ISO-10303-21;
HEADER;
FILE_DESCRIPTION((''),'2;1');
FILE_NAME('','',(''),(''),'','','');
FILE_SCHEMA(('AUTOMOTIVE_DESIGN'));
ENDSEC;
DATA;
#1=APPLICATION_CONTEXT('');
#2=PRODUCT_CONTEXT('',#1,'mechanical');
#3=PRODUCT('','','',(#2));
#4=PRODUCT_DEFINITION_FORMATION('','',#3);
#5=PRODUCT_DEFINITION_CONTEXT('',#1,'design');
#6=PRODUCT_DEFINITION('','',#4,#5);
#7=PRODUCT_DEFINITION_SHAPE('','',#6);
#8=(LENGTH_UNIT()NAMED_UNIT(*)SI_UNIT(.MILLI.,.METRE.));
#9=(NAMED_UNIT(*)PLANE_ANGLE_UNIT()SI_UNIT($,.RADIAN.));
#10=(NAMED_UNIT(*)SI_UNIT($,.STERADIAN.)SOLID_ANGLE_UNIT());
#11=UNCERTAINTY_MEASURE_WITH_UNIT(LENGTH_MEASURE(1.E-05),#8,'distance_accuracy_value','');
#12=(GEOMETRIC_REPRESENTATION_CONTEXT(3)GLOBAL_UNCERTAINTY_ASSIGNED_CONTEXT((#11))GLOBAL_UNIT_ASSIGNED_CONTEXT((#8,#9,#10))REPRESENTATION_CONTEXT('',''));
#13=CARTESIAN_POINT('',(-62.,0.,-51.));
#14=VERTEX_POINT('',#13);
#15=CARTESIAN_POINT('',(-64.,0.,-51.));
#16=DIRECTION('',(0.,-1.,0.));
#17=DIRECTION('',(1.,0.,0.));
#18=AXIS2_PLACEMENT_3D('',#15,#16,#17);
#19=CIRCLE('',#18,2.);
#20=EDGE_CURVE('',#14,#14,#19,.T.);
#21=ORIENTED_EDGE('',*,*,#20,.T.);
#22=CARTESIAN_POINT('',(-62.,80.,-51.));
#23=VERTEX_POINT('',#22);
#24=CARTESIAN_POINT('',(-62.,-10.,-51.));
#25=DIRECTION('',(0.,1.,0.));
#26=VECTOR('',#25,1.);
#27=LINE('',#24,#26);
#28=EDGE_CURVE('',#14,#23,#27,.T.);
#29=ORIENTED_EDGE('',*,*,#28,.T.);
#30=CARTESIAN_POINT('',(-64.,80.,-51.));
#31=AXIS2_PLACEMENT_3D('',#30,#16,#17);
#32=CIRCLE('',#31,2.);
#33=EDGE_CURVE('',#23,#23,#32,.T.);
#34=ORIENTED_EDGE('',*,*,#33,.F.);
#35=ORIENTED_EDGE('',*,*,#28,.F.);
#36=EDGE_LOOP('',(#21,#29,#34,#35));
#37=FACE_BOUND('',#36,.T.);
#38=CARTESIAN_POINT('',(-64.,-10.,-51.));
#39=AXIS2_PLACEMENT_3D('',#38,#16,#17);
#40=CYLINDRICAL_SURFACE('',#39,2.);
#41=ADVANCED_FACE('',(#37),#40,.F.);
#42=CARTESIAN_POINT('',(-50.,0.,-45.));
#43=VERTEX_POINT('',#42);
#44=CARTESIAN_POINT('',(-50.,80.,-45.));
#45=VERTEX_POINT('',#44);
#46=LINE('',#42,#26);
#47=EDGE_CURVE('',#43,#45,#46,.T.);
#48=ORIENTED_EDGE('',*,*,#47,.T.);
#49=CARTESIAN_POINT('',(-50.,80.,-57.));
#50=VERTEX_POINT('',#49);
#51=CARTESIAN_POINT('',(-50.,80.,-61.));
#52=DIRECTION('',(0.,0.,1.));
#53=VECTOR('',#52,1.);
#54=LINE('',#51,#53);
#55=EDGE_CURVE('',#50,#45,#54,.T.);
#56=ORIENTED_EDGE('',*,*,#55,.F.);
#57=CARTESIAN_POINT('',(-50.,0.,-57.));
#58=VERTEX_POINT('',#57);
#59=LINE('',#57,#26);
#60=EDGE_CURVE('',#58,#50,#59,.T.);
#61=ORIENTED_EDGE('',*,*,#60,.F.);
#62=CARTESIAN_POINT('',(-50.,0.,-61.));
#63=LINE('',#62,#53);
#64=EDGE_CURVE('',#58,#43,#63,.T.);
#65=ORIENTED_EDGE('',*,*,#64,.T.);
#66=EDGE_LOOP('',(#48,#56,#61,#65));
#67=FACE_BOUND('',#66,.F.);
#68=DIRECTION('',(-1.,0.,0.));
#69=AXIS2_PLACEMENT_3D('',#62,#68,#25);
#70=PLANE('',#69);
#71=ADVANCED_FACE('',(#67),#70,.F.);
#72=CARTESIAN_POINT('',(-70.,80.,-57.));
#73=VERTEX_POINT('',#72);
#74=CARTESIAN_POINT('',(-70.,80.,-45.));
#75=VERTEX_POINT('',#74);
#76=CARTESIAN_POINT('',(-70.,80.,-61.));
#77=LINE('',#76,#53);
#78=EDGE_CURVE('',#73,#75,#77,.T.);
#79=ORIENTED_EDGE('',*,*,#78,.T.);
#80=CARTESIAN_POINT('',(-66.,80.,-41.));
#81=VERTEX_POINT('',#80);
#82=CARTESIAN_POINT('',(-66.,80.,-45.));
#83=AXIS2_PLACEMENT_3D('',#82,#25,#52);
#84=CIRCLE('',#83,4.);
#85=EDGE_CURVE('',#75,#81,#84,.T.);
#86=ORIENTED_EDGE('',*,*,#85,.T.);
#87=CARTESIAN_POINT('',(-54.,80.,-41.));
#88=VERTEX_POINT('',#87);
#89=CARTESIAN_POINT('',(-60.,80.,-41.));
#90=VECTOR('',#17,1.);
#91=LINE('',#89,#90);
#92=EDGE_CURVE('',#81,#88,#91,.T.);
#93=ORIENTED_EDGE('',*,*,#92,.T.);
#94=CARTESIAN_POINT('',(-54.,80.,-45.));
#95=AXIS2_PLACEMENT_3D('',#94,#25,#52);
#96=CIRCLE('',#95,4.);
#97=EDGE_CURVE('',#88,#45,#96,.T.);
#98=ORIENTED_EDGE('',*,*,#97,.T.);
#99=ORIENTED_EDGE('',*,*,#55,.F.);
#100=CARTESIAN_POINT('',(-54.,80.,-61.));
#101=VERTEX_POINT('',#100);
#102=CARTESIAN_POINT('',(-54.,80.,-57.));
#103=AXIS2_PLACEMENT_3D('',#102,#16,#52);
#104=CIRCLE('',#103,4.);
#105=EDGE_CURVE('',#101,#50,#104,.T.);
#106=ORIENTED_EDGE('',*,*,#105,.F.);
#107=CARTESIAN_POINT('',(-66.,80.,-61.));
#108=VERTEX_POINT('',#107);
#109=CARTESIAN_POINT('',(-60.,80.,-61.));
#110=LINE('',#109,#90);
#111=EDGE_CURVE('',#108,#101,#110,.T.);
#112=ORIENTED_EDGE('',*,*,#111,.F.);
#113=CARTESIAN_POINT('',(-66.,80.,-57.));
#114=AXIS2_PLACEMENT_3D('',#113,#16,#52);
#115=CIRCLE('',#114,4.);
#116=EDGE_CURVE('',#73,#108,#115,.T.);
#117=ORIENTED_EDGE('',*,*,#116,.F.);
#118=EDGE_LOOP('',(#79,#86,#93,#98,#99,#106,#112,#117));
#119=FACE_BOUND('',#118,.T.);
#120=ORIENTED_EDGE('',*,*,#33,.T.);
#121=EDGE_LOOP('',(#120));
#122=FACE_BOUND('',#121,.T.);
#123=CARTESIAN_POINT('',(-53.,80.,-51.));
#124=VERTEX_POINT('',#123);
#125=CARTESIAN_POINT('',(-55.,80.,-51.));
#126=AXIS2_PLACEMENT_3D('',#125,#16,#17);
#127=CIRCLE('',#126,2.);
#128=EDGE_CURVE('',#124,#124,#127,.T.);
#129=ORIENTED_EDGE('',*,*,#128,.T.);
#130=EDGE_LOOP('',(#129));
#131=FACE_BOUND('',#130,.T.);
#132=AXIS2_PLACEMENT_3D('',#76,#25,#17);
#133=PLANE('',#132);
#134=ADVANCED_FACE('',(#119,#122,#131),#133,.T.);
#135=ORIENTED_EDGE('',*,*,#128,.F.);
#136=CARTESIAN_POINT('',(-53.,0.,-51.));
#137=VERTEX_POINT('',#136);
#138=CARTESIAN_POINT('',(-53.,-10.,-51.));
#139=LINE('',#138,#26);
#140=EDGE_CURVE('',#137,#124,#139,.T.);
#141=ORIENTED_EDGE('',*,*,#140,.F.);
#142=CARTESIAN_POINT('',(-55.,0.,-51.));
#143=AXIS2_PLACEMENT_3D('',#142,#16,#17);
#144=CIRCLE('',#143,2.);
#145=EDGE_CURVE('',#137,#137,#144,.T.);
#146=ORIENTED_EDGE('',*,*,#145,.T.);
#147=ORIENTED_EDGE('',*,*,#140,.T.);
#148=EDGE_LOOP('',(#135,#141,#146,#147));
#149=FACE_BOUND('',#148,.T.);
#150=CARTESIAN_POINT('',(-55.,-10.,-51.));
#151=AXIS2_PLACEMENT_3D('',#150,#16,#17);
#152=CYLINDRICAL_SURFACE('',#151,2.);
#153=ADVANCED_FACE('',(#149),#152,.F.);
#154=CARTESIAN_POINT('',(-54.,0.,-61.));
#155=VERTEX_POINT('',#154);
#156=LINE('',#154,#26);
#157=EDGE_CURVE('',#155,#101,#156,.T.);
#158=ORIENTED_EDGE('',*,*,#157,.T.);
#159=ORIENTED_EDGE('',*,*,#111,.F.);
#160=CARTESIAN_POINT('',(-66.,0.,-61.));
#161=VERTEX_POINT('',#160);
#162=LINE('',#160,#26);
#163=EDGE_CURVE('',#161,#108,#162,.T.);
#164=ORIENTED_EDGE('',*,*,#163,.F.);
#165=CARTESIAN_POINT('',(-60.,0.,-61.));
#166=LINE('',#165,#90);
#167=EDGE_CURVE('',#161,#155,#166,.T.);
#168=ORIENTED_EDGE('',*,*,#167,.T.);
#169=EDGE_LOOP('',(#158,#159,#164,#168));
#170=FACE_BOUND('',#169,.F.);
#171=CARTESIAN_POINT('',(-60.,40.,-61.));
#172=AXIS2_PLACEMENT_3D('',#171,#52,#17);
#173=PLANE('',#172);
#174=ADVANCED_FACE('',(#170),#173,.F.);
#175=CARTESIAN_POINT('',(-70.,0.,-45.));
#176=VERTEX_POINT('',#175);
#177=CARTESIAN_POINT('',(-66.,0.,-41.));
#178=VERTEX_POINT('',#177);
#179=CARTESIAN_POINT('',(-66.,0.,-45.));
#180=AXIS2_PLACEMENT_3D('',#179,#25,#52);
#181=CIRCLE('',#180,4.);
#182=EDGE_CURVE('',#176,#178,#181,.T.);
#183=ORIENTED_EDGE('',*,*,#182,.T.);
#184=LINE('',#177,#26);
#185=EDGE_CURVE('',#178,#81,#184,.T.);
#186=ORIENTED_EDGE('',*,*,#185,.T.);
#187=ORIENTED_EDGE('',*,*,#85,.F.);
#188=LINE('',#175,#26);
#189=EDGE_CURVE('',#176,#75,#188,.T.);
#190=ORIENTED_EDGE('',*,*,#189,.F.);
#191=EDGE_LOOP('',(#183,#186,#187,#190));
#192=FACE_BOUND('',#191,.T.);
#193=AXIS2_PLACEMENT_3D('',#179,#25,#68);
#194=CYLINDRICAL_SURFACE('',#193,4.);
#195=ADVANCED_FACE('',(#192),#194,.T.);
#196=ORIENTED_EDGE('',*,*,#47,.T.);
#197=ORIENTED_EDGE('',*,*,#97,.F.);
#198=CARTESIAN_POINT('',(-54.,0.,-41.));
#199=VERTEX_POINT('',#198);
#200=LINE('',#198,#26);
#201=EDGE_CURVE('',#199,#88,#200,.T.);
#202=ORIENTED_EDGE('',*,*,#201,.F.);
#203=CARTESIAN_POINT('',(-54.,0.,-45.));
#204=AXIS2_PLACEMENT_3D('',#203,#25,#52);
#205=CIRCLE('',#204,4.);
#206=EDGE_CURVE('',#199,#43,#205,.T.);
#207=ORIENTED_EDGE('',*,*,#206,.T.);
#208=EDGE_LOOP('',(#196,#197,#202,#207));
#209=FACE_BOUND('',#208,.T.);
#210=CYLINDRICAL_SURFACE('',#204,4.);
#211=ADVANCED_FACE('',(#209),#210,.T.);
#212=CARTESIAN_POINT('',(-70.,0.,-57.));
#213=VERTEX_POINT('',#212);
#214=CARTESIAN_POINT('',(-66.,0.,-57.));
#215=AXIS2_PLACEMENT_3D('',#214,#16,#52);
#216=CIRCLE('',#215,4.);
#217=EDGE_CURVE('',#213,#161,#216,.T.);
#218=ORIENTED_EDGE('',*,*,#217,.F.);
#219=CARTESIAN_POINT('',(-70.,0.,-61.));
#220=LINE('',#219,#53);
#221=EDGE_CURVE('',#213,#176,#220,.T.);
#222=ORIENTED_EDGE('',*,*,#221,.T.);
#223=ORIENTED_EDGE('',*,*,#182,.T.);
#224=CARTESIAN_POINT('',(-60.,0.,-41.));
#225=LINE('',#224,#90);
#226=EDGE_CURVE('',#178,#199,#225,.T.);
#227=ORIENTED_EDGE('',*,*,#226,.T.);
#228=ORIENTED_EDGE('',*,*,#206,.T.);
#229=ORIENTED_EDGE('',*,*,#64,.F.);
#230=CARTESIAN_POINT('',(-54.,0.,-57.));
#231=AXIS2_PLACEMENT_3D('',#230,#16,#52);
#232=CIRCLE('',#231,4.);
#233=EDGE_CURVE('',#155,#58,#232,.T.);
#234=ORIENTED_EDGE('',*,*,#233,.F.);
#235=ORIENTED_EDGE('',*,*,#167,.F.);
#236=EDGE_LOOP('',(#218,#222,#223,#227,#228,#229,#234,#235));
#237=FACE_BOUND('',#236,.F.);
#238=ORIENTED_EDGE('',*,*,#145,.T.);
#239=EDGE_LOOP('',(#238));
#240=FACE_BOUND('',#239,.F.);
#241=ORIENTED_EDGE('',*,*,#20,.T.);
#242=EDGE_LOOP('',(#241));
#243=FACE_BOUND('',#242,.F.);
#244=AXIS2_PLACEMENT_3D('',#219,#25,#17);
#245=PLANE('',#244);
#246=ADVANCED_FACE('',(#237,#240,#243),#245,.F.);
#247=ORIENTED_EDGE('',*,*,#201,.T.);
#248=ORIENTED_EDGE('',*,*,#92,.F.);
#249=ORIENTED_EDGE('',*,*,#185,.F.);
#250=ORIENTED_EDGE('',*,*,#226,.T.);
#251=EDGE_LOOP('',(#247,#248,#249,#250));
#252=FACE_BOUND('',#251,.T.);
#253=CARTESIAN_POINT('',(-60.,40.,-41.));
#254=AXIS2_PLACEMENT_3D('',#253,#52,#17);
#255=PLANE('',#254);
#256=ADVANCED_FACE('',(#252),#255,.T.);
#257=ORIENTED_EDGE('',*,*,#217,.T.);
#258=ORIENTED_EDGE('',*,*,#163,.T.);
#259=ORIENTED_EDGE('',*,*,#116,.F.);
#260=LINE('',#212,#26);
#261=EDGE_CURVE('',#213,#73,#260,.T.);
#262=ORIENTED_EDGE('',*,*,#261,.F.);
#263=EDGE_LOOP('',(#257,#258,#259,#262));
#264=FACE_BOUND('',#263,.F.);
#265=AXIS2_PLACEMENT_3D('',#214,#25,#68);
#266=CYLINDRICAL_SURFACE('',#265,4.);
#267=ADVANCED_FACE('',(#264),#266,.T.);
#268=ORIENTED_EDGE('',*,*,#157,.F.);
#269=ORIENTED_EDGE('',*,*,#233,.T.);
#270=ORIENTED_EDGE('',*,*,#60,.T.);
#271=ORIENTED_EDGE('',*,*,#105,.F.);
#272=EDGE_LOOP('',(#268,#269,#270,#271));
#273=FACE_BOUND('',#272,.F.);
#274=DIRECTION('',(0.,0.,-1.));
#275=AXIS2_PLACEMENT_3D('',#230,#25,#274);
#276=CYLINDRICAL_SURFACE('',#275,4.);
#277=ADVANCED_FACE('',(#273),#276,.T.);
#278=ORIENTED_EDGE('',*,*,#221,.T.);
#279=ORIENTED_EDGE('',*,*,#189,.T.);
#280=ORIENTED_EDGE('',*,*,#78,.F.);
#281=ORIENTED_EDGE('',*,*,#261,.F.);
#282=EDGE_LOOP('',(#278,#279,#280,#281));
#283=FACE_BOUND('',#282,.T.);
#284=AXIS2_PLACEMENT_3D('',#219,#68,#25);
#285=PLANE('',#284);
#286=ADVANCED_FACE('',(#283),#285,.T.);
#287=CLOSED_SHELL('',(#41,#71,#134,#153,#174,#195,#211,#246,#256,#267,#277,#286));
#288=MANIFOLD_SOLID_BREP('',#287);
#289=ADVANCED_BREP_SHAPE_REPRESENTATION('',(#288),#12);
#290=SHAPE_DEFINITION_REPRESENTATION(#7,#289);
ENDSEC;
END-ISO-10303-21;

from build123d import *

# Parameters (mm, degrees)
CYLINDER050_R       = 2
CYLINDER050_DEPTH   = 100
ARRAY001028_X_COUNT = 2
ARRAY001028_X_PITCH = 9
BOX028_W            = 20
BOX028_H            = 80
BOX028_DEPTH        = 20
FILLET_R            = 4


with BuildPart() as stand_attachment_hole_fusion001:
    # Cylinder050 → Cylinder050 (new body)
    with BuildSketch(Plane(origin=(0, -10, 10), x_dir=(1, 0, 0), z_dir=(0, 1, 0))):
        Circle(CYLINDER050_R)
    extrude(amount=CYLINDER050_DEPTH)

    # Array001028 X: stand attachment hole fusion001 ×2


with BuildPart() as stand_attachment_hole_fusion001_1:
    add(stand_attachment_hole_fusion001.part)
    with Locations(*[(i * ARRAY001028_X_PITCH, 0, 0) for i in range(1, ARRAY001028_X_COUNT)]):
        add(stand_attachment_hole_fusion001.part)


with BuildPart() as stand_attachment_middle_fillet:
    # Box028 → Box028 (new body)
    with BuildSketch(Plane(origin=(-6, 0, 0), x_dir=(1, 0, 0), z_dir=(0, 0, 1))):
        with Locations((10, 40)):
            Rectangle(BOX028_W, BOX028_H)
    extrude(amount=BOX028_DEPTH)

    # Cut020: cut stand attachment hole fusion001
    add(stand_attachment_hole_fusion001_1.part, mode=Mode.SUBTRACT)


with BuildPart() as stand_attachment_middle_fillet_1:
    # Cut020 placement: moved
    add(stand_attachment_middle_fillet.part.moved(Location((-64, 0, -61))))

    # Fillet
    fillet_edges = [stand_attachment_middle_fillet_1.edges().sort_by_distance(p)[0] for p in [
        (-70, 40, -41),
        (-70, 40, -61),
        (-50, 40, -41),
        (-50, 40, -61),
    ]]
    fillet(fillet_edges, radius=FILLET_R)


solid = stand_attachment_middle_fillet_1.part
